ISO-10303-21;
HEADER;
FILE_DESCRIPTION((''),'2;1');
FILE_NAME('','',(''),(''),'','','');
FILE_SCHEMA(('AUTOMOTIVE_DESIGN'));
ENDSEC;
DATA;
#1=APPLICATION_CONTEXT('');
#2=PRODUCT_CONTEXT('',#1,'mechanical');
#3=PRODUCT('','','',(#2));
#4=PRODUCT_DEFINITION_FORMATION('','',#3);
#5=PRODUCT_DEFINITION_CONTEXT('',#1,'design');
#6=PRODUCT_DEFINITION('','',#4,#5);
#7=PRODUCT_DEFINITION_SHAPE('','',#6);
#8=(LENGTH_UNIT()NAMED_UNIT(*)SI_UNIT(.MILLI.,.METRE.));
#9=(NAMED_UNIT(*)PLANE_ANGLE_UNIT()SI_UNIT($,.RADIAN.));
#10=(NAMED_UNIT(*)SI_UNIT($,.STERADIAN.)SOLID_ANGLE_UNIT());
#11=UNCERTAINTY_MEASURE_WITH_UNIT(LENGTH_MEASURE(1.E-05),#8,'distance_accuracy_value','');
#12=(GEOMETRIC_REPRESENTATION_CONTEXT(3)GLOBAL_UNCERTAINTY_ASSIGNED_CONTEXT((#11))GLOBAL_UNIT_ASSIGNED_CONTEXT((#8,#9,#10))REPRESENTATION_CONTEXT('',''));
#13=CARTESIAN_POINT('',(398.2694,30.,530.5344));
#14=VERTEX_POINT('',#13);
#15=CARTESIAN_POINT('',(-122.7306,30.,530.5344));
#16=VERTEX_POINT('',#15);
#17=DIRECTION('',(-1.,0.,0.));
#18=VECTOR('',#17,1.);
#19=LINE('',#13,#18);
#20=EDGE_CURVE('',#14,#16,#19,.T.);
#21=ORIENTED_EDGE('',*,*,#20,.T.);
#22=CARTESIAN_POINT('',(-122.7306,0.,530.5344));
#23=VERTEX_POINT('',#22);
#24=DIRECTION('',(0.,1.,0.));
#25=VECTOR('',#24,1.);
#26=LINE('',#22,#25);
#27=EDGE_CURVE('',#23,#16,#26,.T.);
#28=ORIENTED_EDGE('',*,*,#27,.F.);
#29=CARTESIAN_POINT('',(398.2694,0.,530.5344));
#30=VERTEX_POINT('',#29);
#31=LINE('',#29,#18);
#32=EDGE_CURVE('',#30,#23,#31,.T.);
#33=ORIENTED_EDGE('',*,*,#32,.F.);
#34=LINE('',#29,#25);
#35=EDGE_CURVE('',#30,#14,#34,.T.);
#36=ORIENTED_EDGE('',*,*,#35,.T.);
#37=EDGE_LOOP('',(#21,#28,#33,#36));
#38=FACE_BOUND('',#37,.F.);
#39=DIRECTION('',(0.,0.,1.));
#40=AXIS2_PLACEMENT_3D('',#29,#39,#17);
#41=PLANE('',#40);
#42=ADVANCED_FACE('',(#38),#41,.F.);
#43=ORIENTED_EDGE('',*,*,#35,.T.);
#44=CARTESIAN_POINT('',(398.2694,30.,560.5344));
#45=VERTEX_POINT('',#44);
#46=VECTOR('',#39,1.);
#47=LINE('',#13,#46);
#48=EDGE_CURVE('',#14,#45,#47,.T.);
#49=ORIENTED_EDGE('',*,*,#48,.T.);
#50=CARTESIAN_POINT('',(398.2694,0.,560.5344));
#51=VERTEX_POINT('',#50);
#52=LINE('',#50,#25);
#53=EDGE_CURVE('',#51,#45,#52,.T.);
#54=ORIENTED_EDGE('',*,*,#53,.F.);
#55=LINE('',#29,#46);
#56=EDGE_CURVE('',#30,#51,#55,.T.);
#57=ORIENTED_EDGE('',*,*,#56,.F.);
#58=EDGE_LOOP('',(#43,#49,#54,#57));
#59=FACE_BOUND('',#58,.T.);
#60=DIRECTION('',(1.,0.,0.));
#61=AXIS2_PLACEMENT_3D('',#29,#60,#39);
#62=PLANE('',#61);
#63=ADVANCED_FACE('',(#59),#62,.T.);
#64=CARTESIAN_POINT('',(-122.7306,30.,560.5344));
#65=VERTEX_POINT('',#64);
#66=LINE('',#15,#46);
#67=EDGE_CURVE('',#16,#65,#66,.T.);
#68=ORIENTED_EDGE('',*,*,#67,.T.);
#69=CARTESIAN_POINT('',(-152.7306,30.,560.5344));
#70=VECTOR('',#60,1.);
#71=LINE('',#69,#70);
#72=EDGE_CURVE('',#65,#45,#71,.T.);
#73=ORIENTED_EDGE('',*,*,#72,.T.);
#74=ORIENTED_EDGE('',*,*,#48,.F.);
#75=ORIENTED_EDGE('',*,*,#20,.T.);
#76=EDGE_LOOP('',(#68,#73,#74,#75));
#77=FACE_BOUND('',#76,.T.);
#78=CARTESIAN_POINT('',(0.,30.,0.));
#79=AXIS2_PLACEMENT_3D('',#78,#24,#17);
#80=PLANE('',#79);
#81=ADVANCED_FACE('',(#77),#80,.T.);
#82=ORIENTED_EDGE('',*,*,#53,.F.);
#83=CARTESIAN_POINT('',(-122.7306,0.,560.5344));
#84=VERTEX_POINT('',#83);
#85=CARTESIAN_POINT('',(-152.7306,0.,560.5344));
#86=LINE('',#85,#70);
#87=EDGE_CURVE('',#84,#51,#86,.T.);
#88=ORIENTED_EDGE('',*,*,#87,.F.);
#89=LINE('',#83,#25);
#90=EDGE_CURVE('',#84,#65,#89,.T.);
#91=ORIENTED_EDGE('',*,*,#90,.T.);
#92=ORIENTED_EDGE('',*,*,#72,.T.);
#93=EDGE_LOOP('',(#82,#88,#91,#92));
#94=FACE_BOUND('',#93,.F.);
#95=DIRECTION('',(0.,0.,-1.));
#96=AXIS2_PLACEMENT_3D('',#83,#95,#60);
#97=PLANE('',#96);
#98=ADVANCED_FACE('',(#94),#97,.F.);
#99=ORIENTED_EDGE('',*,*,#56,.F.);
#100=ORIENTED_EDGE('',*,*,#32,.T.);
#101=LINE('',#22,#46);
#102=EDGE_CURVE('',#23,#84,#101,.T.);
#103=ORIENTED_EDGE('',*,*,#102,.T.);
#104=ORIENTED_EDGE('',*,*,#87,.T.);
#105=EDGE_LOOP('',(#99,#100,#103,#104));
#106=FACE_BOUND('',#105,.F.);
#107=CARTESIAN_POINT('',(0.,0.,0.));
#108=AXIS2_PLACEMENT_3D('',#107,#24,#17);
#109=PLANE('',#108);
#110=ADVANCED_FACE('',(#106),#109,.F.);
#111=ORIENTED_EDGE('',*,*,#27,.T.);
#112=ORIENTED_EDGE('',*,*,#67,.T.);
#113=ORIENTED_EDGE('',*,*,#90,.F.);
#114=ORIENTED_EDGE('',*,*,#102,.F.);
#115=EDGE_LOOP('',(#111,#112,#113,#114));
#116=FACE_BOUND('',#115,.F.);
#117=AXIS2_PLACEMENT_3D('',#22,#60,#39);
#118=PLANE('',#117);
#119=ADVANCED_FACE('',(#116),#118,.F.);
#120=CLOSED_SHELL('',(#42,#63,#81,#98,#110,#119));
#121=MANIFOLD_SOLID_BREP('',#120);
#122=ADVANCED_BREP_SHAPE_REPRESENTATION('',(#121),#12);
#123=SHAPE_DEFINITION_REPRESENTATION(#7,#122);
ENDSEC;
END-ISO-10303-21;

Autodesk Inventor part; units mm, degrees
ref_plane "YZ Plane" through (0, 0, 0) normal (1, 0, 0) x (0, 1, 0)
ref_plane "XZ Plane" through (0, 0, 0) normal (0, 1, 0) x (-1, 0, 0)
ref_plane "XY Plane" through (0, 0, 0) normal (0, 0, 1) x (1, 0, 0)
sketch "Boceto1" plane through (0, 0, 0) normal (0, 1, 0) x (-1, 0, 0)
  line L0 (-398.2694, -814.4656) -> (-398.2694, 530.5344) projected
  line L1 (-398.2694, 530.5344) -> (122.7306, 530.5344) projected
  line L2 (122.7306, 530.5344) -> (122.7306, -814.4656) projected
  line L3 (122.7306, -814.4656) -> (-398.2694, -814.4656) projected
  line L4 (1000.7306, -844.4656) -> (1000.7306, -1365.4656) projected
  line L5 (1000.7306, -1365.4656) -> (-398.2694, -1365.4656) projected
  line L6 (-398.2694, -1365.4656) -> (-398.2694, -844.4656) projected
  line L7 (-398.2694, -844.4656) -> (1000.7306, -844.4656) projected
  line L8 (1030.7306, -1395.4656) -> (1030.7306, -814.4656) projected
  line L9 (1030.7306, -814.4656) -> (152.7306, -814.4656) projected
  line L10 (152.7306, -814.4656) -> (152.7306, 560.5344) projected
  line L11 (152.7306, 560.5344) -> (-428.2694, 560.5344) projected
  line L12 (-428.2694, 560.5344) -> (-428.2694, -1395.4656) projected
  line L13 (-428.2694, -1395.4656) -> (1030.7306, -1395.4656) projected
  line L14 (-398.2694, 530.5344) -> (-398.2694, 560.5344)
  line L15 (122.7306, 530.5344) -> (122.7306, 560.5344)
  point P0 (0, 0)
extrude "Extrusión1" add sketch "Boceto1" along normal blind 30 contours L14 L11 L15 L1
properties part number "BarraMarco1.1"
